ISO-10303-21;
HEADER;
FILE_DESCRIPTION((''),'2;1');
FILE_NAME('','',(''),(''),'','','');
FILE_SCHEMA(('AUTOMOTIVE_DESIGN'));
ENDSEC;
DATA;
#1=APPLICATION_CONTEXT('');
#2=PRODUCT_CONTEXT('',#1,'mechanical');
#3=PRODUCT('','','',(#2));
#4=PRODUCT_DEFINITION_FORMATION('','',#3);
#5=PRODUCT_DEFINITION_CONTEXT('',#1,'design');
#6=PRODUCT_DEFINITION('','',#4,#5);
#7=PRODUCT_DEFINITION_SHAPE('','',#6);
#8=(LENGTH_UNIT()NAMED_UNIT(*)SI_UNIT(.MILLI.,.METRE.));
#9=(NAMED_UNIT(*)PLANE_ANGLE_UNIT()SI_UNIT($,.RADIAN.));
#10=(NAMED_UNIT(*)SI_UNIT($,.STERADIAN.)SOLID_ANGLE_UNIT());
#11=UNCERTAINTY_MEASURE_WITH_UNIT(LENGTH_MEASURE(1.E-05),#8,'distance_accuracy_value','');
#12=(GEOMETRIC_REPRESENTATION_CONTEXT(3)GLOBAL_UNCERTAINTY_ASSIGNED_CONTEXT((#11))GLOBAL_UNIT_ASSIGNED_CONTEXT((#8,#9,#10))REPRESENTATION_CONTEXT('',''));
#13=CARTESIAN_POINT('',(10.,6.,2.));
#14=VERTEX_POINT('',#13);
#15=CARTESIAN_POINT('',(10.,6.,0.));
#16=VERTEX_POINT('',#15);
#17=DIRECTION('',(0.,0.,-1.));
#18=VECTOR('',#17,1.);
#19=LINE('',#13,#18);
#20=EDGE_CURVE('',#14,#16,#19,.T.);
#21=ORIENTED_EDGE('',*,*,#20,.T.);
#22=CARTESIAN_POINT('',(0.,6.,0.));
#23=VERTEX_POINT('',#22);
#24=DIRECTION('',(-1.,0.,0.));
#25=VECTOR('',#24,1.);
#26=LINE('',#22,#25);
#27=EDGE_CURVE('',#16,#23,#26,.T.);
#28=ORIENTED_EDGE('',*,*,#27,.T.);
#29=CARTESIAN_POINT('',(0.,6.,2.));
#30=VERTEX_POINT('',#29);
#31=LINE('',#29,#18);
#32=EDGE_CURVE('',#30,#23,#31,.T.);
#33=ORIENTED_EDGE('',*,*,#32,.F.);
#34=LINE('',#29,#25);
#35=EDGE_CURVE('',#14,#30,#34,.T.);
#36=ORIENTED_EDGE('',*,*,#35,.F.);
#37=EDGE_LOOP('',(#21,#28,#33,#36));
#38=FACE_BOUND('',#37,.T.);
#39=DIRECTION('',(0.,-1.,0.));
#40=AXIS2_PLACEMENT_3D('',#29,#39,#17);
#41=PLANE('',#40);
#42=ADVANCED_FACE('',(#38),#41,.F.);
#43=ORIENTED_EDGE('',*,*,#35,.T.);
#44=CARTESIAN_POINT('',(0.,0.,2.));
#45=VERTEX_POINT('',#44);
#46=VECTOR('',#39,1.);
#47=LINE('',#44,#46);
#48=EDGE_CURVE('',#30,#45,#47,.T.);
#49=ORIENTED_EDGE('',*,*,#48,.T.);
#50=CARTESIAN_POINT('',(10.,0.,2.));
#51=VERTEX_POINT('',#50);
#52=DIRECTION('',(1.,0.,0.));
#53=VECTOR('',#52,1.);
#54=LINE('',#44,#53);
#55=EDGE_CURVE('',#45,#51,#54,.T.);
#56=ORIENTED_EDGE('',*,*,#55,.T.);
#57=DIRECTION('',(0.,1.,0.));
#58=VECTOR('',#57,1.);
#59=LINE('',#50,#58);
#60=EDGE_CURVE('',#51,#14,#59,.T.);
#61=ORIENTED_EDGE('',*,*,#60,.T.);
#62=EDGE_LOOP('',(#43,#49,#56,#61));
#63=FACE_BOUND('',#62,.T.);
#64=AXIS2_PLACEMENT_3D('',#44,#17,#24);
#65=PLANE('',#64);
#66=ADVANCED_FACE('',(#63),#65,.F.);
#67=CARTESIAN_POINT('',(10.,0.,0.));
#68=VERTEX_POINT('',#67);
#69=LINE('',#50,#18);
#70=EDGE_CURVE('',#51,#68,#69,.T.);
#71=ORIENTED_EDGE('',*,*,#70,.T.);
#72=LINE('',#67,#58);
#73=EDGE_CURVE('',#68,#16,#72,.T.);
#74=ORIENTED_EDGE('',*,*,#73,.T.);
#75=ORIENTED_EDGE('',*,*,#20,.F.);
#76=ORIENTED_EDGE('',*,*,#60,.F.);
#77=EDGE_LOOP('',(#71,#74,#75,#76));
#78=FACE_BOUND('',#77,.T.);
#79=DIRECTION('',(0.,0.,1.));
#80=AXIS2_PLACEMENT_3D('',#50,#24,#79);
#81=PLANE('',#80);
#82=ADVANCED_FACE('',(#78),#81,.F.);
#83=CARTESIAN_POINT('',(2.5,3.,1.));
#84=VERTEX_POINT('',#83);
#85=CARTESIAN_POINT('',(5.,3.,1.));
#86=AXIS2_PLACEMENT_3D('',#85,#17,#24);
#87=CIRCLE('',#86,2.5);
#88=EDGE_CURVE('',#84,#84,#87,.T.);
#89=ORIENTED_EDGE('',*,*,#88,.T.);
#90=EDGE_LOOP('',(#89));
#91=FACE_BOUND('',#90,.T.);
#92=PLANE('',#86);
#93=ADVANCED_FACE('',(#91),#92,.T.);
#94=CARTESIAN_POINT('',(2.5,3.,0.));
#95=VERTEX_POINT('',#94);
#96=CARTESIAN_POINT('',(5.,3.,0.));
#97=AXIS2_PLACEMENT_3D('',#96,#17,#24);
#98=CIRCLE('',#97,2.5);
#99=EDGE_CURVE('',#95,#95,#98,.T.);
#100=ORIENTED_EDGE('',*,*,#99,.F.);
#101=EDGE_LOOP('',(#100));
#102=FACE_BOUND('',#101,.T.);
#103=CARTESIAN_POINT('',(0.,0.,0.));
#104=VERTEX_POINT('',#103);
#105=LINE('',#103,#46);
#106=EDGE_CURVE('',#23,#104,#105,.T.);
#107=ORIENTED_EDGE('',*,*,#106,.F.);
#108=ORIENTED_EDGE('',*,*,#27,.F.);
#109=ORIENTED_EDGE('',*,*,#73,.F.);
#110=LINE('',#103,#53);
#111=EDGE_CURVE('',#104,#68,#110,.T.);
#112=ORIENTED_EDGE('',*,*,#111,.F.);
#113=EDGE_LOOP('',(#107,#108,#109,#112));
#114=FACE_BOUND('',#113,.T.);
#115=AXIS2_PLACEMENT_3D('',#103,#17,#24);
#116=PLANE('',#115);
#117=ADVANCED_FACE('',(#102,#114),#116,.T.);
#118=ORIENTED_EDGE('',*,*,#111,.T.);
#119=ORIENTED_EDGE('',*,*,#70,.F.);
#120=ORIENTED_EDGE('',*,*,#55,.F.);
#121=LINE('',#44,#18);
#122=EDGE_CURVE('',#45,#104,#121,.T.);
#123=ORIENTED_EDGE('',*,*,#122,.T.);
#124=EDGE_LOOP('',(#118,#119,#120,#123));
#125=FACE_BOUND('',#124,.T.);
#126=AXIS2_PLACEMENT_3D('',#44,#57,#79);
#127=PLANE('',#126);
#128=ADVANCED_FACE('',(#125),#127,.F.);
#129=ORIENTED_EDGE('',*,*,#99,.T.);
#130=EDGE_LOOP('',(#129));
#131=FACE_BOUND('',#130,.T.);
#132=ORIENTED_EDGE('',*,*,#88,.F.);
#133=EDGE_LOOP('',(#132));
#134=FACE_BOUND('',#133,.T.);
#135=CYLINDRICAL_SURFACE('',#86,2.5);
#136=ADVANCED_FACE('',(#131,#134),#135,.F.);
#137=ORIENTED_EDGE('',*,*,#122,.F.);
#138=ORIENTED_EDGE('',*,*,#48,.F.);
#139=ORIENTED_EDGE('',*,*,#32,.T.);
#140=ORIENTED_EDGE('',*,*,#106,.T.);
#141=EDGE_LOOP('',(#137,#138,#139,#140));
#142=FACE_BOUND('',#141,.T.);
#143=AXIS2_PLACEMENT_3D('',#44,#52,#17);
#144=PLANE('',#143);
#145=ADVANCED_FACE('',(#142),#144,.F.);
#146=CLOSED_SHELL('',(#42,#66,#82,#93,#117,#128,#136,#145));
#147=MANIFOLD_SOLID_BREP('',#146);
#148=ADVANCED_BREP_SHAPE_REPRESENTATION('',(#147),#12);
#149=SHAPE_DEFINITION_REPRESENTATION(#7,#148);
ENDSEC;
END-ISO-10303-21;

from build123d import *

# Parameters (mm, degrees)
SKETCH1_W       = 10
SKETCH1_H       = 6
MAIN_BODY_DEPTH = 2
SKETCH2_R       = 2.5
SHAFT_CUT_DEPTH = 1


with BuildPart() as part:
    # Sketch1 → main_body (new body)
    with BuildSketch(Plane.XY):
        with Locations((5, 3)):
            Rectangle(SKETCH1_W, SKETCH1_H)
    extrude(amount=MAIN_BODY_DEPTH)

    # Sketch2 → shaft_cut (cut)
    with BuildSketch(Plane(origin=(0, 0, 0), x_dir=(-1, 0, 0), z_dir=(0, 0, -1))):
        with Locations((-5, 3)):
            Circle(SKETCH2_R)
    extrude(amount=-SHAFT_CUT_DEPTH, mode=Mode.SUBTRACT)


solid = part.part
